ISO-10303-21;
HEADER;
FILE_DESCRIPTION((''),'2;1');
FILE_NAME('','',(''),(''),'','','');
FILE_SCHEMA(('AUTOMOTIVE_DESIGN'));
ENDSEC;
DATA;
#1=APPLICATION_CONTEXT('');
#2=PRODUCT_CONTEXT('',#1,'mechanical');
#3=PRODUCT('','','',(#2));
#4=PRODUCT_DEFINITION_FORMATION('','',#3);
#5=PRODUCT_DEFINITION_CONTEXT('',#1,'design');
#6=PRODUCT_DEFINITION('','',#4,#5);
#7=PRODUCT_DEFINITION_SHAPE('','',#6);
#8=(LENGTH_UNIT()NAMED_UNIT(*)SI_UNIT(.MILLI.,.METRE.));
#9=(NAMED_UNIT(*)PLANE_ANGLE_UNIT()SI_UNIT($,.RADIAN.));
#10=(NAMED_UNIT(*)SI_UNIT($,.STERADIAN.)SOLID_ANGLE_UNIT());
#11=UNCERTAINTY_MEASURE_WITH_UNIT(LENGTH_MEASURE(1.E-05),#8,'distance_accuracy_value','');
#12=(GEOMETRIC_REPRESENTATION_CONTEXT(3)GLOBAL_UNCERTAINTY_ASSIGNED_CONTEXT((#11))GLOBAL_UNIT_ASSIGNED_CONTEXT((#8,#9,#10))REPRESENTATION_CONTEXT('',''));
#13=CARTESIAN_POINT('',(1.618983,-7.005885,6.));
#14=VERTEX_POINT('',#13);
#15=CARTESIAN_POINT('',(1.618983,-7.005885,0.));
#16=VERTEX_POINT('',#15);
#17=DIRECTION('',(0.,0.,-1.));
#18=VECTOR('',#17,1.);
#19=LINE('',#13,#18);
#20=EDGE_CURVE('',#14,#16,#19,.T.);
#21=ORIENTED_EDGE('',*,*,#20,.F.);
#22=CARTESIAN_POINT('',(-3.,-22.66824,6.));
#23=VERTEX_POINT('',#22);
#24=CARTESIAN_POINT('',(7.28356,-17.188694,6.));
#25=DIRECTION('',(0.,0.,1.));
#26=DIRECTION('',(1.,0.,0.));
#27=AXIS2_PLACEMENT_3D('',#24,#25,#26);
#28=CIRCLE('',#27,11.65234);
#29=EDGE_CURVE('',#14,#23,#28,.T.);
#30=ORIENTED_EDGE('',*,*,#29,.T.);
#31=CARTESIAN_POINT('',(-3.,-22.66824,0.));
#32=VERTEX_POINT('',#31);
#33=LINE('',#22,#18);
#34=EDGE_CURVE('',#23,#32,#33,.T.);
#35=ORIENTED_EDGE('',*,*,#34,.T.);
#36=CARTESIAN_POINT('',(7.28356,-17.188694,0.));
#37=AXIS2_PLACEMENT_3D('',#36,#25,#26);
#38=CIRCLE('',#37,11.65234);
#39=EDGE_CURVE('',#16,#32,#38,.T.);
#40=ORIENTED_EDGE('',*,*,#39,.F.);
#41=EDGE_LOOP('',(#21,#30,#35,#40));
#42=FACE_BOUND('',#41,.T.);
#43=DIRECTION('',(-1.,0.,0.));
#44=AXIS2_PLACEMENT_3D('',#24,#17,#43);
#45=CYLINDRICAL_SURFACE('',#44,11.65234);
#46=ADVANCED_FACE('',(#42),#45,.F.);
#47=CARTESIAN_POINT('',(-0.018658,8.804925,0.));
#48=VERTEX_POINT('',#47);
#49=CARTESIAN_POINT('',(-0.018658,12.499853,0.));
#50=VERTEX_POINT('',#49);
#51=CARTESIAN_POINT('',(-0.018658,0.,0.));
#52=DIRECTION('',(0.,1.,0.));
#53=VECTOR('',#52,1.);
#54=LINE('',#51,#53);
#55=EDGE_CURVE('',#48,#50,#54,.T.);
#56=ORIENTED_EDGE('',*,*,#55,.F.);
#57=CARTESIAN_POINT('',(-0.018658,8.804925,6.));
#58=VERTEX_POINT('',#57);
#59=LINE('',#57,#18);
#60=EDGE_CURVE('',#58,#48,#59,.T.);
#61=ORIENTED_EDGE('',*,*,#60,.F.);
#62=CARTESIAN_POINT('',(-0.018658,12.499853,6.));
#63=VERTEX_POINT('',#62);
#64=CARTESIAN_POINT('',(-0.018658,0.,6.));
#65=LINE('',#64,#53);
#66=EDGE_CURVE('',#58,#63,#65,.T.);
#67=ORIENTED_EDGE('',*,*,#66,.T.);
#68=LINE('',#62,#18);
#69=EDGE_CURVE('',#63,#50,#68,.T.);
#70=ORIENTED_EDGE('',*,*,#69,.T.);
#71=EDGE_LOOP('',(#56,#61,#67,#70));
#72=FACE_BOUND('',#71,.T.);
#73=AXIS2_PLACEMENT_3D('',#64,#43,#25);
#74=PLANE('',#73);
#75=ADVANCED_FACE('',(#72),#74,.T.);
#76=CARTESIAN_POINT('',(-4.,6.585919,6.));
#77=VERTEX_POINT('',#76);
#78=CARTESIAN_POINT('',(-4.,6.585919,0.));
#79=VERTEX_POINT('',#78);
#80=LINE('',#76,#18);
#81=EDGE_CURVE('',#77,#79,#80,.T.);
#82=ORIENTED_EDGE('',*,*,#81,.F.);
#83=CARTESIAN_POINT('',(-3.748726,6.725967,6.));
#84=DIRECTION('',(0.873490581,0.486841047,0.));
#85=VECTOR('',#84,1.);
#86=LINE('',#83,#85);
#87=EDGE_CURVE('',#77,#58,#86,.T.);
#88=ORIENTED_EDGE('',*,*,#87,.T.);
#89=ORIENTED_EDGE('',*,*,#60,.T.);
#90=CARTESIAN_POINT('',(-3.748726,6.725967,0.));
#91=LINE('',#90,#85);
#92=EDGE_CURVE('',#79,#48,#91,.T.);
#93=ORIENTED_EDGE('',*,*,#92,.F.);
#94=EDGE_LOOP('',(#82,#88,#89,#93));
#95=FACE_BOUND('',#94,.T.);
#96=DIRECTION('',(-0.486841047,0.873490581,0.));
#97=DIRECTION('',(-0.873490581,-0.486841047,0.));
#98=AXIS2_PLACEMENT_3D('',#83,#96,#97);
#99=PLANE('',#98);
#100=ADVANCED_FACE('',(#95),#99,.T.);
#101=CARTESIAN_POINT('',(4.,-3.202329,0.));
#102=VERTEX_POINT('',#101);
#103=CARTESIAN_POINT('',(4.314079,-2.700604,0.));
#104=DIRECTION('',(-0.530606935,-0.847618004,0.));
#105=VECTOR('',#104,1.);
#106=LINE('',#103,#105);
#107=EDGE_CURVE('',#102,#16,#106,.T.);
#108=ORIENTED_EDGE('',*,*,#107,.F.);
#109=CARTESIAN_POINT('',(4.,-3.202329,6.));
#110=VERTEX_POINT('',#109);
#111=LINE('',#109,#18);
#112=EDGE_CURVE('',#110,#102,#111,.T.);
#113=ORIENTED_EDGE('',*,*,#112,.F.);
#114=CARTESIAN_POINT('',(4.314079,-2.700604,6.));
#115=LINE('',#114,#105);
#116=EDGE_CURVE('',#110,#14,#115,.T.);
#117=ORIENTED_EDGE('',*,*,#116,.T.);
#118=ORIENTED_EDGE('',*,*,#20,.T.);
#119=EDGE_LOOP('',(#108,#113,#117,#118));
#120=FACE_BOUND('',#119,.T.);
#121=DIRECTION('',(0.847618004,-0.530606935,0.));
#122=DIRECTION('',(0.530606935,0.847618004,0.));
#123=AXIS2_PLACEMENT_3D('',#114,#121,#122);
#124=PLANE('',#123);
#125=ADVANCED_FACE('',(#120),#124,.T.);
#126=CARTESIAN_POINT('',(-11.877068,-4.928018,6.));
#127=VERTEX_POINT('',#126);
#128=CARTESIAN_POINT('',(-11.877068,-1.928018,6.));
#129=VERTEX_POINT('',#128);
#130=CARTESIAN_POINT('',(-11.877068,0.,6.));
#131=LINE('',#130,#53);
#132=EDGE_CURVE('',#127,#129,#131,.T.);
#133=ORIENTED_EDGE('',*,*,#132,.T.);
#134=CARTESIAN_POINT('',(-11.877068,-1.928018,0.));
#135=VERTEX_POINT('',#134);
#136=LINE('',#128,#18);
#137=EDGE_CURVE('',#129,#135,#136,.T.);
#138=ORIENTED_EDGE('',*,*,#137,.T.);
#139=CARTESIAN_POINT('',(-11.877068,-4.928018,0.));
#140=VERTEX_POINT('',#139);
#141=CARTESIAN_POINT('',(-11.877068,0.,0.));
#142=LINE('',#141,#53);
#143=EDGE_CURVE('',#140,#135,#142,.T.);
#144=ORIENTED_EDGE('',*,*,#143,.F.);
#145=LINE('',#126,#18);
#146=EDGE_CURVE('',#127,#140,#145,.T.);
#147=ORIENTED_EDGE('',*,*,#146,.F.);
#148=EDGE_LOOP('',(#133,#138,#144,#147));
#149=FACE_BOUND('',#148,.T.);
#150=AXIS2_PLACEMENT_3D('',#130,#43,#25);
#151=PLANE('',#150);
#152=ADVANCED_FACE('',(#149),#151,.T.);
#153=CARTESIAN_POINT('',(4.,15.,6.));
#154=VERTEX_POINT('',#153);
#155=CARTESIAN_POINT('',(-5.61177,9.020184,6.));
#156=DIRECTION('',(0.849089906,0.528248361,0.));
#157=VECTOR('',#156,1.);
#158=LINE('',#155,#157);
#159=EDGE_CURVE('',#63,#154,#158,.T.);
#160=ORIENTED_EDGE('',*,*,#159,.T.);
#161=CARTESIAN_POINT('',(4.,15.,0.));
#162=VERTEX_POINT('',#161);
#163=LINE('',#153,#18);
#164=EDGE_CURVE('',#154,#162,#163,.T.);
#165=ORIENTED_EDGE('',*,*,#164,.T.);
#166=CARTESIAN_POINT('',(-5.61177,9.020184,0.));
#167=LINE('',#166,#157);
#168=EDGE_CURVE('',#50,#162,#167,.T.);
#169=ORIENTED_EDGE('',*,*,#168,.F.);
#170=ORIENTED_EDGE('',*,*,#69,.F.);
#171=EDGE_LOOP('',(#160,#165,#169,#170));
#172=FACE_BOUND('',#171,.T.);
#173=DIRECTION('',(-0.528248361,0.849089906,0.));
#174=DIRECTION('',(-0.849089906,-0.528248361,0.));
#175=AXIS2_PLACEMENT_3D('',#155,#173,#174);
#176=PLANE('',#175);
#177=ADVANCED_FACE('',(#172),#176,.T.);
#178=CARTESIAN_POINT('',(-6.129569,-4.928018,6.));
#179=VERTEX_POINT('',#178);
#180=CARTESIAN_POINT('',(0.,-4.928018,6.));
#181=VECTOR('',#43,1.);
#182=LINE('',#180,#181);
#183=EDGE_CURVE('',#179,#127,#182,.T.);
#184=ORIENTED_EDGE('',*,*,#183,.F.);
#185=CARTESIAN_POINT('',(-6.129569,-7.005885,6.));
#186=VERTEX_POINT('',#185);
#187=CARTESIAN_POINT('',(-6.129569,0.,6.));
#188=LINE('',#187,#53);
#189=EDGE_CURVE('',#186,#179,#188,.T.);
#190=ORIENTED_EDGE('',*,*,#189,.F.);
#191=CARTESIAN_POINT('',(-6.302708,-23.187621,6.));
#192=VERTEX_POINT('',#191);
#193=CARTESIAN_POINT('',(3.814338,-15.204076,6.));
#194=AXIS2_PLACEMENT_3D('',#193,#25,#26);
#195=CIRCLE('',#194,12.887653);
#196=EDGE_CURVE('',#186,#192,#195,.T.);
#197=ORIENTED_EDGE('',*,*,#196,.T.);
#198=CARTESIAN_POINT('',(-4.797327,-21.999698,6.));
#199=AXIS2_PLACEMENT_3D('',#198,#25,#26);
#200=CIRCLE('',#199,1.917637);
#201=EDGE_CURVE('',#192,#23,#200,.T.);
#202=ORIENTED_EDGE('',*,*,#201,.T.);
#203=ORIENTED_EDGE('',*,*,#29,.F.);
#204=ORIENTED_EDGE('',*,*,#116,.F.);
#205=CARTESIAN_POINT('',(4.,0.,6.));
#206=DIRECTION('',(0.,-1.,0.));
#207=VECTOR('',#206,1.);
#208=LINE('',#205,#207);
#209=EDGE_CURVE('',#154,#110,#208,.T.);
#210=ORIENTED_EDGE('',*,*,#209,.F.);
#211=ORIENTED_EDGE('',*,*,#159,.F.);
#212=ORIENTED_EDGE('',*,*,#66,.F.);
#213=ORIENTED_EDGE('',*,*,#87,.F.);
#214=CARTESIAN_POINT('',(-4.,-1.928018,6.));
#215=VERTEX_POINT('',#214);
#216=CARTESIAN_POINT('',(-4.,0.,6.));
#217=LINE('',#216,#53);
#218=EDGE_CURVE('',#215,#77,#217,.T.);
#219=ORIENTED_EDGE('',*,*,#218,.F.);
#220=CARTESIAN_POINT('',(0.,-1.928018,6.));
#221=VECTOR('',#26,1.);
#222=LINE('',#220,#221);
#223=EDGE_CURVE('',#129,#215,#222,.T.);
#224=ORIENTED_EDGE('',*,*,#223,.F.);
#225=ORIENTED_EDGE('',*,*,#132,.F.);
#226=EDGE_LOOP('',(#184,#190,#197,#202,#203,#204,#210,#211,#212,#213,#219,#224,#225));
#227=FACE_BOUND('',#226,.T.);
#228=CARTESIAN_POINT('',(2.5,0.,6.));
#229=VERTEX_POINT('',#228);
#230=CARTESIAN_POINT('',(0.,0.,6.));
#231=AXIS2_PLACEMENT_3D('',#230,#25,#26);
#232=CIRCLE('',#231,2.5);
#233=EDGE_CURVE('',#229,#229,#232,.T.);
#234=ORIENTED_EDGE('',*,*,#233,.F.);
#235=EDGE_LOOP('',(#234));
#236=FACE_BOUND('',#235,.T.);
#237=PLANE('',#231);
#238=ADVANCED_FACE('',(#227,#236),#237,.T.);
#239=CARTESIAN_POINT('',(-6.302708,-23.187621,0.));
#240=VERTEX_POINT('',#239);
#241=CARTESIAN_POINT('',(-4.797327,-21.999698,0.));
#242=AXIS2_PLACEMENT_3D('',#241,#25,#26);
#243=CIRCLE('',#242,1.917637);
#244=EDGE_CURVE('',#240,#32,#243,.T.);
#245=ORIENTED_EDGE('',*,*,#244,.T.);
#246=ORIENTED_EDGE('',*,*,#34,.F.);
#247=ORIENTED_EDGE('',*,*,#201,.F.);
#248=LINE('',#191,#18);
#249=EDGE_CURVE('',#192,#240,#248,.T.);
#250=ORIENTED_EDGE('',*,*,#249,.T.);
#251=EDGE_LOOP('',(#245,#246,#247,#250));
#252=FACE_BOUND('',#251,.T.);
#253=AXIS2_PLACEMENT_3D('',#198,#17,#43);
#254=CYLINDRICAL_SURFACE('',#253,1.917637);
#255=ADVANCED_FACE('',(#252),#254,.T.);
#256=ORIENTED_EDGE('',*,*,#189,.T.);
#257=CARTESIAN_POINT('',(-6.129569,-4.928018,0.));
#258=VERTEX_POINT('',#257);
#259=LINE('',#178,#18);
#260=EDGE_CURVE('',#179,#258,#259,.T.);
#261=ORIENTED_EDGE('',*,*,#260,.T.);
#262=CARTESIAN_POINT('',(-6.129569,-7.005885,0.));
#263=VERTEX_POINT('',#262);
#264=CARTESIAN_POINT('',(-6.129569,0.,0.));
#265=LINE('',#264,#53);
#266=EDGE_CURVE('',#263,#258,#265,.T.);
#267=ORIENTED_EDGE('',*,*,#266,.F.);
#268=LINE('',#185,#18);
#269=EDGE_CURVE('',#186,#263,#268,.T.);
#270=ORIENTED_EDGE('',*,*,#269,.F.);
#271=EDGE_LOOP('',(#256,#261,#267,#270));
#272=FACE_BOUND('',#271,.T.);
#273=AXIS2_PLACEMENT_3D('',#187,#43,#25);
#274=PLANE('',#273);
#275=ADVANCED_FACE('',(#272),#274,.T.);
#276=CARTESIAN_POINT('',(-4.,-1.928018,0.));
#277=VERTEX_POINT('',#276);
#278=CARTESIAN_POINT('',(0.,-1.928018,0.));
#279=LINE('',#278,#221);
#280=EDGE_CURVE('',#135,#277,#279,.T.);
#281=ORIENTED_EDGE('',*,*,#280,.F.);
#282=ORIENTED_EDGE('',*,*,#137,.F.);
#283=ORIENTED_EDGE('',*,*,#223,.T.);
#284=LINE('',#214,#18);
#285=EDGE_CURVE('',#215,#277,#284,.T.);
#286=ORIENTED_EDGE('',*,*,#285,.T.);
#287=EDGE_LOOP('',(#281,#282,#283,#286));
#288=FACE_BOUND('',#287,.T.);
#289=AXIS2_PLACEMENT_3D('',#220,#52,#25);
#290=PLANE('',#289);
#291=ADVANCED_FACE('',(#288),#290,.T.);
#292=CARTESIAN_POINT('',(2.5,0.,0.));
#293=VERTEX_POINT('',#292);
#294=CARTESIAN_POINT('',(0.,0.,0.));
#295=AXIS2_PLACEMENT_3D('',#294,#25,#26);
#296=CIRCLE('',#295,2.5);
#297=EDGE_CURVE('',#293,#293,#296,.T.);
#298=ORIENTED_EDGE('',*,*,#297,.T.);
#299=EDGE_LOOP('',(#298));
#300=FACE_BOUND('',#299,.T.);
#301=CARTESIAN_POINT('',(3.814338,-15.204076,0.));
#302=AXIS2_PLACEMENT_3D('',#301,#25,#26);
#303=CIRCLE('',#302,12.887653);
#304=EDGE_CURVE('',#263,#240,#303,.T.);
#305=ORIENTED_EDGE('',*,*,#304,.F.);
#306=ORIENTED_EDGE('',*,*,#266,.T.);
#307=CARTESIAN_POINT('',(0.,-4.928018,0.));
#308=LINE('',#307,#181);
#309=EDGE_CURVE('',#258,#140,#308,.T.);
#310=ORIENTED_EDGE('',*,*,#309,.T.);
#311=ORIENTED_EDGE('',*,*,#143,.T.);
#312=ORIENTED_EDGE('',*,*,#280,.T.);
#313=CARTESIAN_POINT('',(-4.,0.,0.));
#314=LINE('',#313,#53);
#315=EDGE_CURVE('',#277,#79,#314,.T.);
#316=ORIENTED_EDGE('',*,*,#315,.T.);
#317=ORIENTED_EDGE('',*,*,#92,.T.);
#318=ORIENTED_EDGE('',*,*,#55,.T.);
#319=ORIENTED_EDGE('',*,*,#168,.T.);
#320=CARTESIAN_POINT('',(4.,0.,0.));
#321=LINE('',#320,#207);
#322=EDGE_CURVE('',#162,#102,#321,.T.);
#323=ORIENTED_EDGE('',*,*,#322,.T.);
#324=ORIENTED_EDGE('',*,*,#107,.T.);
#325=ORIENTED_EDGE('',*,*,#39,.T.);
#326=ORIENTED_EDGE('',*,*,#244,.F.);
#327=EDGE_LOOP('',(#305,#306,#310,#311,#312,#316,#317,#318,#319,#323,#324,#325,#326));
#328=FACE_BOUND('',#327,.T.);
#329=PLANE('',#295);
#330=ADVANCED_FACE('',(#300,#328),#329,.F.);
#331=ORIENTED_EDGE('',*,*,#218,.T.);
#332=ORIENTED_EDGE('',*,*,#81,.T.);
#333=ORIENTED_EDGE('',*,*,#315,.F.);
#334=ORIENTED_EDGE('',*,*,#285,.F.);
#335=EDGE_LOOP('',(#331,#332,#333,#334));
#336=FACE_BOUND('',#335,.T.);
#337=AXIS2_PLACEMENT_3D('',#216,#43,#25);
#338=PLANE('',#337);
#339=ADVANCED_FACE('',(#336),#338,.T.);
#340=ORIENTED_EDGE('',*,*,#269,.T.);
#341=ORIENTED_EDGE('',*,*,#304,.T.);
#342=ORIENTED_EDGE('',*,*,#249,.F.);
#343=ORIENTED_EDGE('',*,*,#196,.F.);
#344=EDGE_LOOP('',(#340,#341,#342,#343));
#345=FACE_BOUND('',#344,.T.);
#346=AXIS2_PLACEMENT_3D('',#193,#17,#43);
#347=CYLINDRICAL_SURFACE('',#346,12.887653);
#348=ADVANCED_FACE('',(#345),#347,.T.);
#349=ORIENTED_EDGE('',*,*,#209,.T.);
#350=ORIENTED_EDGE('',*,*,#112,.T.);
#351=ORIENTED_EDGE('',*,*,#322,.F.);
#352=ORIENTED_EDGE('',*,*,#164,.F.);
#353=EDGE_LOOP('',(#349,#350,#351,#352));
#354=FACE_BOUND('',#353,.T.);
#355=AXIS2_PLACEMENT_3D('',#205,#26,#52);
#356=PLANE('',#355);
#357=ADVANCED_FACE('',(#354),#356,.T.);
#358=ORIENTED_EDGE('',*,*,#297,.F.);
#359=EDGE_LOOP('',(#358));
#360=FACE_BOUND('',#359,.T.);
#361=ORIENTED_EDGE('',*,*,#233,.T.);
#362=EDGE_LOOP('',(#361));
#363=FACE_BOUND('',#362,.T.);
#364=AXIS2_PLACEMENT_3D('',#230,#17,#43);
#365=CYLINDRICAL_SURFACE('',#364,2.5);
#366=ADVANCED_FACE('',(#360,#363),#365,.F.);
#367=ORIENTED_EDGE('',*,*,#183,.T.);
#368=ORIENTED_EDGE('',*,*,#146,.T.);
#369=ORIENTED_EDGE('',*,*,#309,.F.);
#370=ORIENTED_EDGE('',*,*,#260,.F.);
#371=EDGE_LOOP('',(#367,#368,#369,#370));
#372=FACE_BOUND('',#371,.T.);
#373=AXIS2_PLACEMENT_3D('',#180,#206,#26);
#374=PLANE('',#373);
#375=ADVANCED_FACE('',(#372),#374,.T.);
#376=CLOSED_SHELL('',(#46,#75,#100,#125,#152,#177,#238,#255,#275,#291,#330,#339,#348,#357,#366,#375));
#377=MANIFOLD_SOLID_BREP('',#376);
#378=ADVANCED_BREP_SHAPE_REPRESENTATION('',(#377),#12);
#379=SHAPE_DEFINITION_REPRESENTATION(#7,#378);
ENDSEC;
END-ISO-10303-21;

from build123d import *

# Parameters (mm, degrees)
SKETCH_1_R      = 4
SKETCH_1_R_2    = 2.5
EXTRUDE_1_DEPTH = 6


with BuildPart() as part:
    # 스케치1 → 보스-돌출1 (new body)
    # profile 1 of 4: a face of its own
    with BuildSketch(Plane.XY):
        with BuildLine():
            Line((4, -3.202328983), (4, 0))
            ThreePointArc((4, 0), (-3e-09, -4), (-4, 6e-09))
            Line((-4, 6e-09), (-4, -1.928017797))
            Line((-4, -1.928017797), (-11.877068301, -1.928017797))
            Line((-11.877068301, -1.928017797), (-11.877068301, -4.928017797))
            Line((-11.877068301, -4.928017797), (-6.12956889, -4.928017797))
            Line((-6.12956889, -4.928017797), (-6.12956889, -7.005884989))
            Line((-6.12956889, -7.005884989), (1.618982626, -7.005884989))
            Line((1.618982626, -7.005884989), (4, -3.202328983))
        make_face()
    # profile 2 of 4: a face of its own
    with BuildSketch(Plane.XY):
        Circle(SKETCH_1_R)
        Circle(SKETCH_1_R_2, mode=Mode.SUBTRACT)
    # profile 3 of 4: a face of its own
    with BuildSketch(Plane.XY):
        with BuildLine():
            Line((4, 15), (-0.018657753, 12.499853249))
            Line((-0.018657753, 12.499853249), (-0.018657753, 8.804925293))
            Line((-0.018657753, 8.804925293), (-4, 6.585919306))
            Line((-4, 6.585919306), (-4, 6e-09))
            ThreePointArc((-4, 6e-09), (3e-09, 4), (4, 0))
            Line((4, 0), (4, 15))
        make_face()
    # profile 4 of 4: a face of its own
    with BuildSketch(Plane.XY):
        with BuildLine():
            ThreePointArc((-6.12956889, -7.005884989), (-9.072577994, -15.066190234), (-6.302707776, -23.187621278))
            ThreePointArc((-6.302707776, -23.187621278), (-4.499421911, -23.894054073), (-2.999999998, -22.668239597))
            ThreePointArc((-2.999999998, -22.668239597), (-3.892893232, -13.892647551), (1.618982626, -7.005884989))
            Line((1.618982626, -7.005884989), (-6.12956889, -7.005884989))
        make_face()
    extrude(amount=EXTRUDE_1_DEPTH)


solid = part.part
